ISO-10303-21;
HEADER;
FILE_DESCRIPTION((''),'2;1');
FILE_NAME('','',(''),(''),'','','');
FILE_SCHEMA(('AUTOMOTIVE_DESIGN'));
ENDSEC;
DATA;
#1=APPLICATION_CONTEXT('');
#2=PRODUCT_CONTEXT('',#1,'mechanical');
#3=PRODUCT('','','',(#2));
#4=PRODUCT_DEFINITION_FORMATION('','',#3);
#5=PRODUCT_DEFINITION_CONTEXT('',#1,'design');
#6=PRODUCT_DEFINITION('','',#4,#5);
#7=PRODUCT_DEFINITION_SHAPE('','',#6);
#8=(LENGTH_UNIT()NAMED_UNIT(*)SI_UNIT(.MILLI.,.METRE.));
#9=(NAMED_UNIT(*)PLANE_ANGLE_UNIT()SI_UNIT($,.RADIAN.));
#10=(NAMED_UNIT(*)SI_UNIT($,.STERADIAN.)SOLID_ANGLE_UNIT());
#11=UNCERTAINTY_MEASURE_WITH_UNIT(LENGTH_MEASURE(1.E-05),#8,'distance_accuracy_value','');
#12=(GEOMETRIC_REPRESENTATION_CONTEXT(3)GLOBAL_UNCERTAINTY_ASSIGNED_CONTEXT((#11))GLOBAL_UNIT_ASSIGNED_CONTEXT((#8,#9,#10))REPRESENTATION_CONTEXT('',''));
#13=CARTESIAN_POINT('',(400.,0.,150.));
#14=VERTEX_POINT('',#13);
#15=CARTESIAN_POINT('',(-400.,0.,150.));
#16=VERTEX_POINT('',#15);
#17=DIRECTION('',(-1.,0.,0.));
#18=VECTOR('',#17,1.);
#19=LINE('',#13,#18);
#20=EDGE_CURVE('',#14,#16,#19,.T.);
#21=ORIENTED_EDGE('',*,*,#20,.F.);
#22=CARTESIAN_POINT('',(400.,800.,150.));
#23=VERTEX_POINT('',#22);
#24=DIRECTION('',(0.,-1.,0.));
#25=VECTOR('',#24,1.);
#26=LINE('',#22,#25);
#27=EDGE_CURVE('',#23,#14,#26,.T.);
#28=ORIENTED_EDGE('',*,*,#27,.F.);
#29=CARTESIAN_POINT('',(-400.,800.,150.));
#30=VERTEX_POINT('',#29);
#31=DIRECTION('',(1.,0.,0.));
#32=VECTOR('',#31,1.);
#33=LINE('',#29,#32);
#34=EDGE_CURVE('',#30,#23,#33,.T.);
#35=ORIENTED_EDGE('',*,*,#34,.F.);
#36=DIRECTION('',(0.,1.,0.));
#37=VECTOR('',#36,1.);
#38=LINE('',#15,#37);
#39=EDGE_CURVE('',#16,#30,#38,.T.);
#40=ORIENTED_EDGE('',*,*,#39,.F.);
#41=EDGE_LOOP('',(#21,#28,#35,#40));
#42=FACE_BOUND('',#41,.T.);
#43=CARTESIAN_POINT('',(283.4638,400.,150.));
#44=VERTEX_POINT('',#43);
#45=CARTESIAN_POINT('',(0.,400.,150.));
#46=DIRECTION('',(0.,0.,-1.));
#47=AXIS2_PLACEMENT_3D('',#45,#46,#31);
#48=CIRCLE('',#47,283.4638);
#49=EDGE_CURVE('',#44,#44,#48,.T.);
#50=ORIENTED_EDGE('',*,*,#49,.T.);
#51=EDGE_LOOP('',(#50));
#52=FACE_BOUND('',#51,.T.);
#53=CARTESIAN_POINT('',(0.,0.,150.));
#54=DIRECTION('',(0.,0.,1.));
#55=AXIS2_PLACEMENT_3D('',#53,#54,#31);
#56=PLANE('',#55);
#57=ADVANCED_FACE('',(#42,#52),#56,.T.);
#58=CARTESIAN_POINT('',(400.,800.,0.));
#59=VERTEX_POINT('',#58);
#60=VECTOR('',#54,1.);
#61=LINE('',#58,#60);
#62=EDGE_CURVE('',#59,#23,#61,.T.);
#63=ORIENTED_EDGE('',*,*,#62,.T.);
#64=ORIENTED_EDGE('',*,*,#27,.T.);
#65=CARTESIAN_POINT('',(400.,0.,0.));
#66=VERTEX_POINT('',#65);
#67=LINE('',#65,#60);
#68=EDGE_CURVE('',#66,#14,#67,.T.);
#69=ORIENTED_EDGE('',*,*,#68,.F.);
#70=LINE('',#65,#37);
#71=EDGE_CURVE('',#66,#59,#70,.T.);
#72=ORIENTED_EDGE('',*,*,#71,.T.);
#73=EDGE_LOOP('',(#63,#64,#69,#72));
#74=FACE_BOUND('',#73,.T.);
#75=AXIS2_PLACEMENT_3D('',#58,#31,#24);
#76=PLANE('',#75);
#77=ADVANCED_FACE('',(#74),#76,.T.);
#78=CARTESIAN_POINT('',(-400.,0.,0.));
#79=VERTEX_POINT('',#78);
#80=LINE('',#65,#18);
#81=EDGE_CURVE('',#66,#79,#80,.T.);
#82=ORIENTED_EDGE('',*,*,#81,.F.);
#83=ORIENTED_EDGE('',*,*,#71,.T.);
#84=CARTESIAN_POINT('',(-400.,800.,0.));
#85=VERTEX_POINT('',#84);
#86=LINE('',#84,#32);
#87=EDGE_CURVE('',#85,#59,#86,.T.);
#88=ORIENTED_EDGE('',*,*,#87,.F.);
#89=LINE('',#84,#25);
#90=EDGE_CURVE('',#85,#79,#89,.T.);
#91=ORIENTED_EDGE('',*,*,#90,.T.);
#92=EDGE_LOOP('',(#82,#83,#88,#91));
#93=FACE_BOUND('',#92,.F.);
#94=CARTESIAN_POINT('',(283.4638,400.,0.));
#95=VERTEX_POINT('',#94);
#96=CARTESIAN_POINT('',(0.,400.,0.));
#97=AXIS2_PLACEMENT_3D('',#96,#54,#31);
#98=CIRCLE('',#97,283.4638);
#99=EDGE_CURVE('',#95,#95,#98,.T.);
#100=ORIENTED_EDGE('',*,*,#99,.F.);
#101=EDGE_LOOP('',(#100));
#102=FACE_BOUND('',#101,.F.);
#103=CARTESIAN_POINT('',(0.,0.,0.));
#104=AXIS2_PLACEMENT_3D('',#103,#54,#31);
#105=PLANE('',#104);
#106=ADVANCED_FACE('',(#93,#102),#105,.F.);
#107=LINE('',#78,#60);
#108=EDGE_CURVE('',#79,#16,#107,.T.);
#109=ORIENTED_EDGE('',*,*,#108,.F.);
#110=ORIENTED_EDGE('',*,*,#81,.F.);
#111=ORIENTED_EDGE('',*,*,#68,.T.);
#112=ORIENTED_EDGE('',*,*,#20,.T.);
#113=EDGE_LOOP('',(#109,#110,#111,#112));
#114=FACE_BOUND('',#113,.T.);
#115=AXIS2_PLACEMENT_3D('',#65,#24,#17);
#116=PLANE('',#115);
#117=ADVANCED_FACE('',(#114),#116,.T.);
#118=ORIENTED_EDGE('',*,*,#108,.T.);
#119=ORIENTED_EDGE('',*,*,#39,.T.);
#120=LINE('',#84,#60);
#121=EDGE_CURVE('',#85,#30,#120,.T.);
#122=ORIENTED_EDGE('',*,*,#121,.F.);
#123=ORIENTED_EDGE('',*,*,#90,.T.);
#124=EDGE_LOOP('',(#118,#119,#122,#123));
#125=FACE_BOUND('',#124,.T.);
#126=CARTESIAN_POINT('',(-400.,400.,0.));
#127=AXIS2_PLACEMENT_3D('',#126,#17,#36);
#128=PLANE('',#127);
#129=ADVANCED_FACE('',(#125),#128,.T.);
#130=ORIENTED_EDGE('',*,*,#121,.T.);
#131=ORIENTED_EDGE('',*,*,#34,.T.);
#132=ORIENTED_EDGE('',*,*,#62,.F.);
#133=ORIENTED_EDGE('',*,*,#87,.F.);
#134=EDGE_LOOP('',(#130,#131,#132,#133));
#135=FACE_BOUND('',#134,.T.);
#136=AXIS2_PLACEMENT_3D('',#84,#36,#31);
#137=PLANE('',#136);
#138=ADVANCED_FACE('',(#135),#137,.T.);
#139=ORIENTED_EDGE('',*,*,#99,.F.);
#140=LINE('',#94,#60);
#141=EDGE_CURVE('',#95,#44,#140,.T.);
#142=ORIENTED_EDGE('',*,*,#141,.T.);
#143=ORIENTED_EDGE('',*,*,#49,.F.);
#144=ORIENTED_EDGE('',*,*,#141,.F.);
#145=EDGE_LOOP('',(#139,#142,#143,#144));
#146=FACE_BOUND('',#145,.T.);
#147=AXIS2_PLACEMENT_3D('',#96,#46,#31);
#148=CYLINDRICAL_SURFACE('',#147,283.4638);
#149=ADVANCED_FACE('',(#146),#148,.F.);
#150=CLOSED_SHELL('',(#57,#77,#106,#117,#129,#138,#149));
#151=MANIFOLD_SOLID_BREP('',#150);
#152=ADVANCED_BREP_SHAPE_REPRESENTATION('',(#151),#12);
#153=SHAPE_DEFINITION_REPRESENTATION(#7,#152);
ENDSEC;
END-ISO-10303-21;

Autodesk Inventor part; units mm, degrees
ref_plane "YZ Plane" through (0, 0, 0) normal (1, 0, 0) x (0, 1, 0)
ref_plane "XZ Plane" through (0, 0, 0) normal (0, 1, 0) x (-1, 0, 0)
ref_plane "XY Plane" through (0, 0, 0) normal (0, 0, 1) x (1, 0, 0)
sketch "Boceto1" plane through (0, 0, 0) normal (0, 0, 1) x (1, 0, 0)
  line L0 (-400, 800) -> (400, 800)
  line L1 (400, 800) -> (400, 0)
  line L2 (400, 0) -> (-400, 0)
  line L3 (-400, 0) -> (-400, 800)
  circle A0 centre (0, 400) radius 283.4638
  line L4 (-400, 400) -> (400, 400)
  point P0 (0, 0)
  point P1 (0, 0)
  dimension "d0" = 800
extrude "Extrusión1" add sketch "Boceto1" along normal blind 150 contours L0 L1 L4 A0 L3 | L4 A0 L1 L2 L3
properties part number "Bobina"
